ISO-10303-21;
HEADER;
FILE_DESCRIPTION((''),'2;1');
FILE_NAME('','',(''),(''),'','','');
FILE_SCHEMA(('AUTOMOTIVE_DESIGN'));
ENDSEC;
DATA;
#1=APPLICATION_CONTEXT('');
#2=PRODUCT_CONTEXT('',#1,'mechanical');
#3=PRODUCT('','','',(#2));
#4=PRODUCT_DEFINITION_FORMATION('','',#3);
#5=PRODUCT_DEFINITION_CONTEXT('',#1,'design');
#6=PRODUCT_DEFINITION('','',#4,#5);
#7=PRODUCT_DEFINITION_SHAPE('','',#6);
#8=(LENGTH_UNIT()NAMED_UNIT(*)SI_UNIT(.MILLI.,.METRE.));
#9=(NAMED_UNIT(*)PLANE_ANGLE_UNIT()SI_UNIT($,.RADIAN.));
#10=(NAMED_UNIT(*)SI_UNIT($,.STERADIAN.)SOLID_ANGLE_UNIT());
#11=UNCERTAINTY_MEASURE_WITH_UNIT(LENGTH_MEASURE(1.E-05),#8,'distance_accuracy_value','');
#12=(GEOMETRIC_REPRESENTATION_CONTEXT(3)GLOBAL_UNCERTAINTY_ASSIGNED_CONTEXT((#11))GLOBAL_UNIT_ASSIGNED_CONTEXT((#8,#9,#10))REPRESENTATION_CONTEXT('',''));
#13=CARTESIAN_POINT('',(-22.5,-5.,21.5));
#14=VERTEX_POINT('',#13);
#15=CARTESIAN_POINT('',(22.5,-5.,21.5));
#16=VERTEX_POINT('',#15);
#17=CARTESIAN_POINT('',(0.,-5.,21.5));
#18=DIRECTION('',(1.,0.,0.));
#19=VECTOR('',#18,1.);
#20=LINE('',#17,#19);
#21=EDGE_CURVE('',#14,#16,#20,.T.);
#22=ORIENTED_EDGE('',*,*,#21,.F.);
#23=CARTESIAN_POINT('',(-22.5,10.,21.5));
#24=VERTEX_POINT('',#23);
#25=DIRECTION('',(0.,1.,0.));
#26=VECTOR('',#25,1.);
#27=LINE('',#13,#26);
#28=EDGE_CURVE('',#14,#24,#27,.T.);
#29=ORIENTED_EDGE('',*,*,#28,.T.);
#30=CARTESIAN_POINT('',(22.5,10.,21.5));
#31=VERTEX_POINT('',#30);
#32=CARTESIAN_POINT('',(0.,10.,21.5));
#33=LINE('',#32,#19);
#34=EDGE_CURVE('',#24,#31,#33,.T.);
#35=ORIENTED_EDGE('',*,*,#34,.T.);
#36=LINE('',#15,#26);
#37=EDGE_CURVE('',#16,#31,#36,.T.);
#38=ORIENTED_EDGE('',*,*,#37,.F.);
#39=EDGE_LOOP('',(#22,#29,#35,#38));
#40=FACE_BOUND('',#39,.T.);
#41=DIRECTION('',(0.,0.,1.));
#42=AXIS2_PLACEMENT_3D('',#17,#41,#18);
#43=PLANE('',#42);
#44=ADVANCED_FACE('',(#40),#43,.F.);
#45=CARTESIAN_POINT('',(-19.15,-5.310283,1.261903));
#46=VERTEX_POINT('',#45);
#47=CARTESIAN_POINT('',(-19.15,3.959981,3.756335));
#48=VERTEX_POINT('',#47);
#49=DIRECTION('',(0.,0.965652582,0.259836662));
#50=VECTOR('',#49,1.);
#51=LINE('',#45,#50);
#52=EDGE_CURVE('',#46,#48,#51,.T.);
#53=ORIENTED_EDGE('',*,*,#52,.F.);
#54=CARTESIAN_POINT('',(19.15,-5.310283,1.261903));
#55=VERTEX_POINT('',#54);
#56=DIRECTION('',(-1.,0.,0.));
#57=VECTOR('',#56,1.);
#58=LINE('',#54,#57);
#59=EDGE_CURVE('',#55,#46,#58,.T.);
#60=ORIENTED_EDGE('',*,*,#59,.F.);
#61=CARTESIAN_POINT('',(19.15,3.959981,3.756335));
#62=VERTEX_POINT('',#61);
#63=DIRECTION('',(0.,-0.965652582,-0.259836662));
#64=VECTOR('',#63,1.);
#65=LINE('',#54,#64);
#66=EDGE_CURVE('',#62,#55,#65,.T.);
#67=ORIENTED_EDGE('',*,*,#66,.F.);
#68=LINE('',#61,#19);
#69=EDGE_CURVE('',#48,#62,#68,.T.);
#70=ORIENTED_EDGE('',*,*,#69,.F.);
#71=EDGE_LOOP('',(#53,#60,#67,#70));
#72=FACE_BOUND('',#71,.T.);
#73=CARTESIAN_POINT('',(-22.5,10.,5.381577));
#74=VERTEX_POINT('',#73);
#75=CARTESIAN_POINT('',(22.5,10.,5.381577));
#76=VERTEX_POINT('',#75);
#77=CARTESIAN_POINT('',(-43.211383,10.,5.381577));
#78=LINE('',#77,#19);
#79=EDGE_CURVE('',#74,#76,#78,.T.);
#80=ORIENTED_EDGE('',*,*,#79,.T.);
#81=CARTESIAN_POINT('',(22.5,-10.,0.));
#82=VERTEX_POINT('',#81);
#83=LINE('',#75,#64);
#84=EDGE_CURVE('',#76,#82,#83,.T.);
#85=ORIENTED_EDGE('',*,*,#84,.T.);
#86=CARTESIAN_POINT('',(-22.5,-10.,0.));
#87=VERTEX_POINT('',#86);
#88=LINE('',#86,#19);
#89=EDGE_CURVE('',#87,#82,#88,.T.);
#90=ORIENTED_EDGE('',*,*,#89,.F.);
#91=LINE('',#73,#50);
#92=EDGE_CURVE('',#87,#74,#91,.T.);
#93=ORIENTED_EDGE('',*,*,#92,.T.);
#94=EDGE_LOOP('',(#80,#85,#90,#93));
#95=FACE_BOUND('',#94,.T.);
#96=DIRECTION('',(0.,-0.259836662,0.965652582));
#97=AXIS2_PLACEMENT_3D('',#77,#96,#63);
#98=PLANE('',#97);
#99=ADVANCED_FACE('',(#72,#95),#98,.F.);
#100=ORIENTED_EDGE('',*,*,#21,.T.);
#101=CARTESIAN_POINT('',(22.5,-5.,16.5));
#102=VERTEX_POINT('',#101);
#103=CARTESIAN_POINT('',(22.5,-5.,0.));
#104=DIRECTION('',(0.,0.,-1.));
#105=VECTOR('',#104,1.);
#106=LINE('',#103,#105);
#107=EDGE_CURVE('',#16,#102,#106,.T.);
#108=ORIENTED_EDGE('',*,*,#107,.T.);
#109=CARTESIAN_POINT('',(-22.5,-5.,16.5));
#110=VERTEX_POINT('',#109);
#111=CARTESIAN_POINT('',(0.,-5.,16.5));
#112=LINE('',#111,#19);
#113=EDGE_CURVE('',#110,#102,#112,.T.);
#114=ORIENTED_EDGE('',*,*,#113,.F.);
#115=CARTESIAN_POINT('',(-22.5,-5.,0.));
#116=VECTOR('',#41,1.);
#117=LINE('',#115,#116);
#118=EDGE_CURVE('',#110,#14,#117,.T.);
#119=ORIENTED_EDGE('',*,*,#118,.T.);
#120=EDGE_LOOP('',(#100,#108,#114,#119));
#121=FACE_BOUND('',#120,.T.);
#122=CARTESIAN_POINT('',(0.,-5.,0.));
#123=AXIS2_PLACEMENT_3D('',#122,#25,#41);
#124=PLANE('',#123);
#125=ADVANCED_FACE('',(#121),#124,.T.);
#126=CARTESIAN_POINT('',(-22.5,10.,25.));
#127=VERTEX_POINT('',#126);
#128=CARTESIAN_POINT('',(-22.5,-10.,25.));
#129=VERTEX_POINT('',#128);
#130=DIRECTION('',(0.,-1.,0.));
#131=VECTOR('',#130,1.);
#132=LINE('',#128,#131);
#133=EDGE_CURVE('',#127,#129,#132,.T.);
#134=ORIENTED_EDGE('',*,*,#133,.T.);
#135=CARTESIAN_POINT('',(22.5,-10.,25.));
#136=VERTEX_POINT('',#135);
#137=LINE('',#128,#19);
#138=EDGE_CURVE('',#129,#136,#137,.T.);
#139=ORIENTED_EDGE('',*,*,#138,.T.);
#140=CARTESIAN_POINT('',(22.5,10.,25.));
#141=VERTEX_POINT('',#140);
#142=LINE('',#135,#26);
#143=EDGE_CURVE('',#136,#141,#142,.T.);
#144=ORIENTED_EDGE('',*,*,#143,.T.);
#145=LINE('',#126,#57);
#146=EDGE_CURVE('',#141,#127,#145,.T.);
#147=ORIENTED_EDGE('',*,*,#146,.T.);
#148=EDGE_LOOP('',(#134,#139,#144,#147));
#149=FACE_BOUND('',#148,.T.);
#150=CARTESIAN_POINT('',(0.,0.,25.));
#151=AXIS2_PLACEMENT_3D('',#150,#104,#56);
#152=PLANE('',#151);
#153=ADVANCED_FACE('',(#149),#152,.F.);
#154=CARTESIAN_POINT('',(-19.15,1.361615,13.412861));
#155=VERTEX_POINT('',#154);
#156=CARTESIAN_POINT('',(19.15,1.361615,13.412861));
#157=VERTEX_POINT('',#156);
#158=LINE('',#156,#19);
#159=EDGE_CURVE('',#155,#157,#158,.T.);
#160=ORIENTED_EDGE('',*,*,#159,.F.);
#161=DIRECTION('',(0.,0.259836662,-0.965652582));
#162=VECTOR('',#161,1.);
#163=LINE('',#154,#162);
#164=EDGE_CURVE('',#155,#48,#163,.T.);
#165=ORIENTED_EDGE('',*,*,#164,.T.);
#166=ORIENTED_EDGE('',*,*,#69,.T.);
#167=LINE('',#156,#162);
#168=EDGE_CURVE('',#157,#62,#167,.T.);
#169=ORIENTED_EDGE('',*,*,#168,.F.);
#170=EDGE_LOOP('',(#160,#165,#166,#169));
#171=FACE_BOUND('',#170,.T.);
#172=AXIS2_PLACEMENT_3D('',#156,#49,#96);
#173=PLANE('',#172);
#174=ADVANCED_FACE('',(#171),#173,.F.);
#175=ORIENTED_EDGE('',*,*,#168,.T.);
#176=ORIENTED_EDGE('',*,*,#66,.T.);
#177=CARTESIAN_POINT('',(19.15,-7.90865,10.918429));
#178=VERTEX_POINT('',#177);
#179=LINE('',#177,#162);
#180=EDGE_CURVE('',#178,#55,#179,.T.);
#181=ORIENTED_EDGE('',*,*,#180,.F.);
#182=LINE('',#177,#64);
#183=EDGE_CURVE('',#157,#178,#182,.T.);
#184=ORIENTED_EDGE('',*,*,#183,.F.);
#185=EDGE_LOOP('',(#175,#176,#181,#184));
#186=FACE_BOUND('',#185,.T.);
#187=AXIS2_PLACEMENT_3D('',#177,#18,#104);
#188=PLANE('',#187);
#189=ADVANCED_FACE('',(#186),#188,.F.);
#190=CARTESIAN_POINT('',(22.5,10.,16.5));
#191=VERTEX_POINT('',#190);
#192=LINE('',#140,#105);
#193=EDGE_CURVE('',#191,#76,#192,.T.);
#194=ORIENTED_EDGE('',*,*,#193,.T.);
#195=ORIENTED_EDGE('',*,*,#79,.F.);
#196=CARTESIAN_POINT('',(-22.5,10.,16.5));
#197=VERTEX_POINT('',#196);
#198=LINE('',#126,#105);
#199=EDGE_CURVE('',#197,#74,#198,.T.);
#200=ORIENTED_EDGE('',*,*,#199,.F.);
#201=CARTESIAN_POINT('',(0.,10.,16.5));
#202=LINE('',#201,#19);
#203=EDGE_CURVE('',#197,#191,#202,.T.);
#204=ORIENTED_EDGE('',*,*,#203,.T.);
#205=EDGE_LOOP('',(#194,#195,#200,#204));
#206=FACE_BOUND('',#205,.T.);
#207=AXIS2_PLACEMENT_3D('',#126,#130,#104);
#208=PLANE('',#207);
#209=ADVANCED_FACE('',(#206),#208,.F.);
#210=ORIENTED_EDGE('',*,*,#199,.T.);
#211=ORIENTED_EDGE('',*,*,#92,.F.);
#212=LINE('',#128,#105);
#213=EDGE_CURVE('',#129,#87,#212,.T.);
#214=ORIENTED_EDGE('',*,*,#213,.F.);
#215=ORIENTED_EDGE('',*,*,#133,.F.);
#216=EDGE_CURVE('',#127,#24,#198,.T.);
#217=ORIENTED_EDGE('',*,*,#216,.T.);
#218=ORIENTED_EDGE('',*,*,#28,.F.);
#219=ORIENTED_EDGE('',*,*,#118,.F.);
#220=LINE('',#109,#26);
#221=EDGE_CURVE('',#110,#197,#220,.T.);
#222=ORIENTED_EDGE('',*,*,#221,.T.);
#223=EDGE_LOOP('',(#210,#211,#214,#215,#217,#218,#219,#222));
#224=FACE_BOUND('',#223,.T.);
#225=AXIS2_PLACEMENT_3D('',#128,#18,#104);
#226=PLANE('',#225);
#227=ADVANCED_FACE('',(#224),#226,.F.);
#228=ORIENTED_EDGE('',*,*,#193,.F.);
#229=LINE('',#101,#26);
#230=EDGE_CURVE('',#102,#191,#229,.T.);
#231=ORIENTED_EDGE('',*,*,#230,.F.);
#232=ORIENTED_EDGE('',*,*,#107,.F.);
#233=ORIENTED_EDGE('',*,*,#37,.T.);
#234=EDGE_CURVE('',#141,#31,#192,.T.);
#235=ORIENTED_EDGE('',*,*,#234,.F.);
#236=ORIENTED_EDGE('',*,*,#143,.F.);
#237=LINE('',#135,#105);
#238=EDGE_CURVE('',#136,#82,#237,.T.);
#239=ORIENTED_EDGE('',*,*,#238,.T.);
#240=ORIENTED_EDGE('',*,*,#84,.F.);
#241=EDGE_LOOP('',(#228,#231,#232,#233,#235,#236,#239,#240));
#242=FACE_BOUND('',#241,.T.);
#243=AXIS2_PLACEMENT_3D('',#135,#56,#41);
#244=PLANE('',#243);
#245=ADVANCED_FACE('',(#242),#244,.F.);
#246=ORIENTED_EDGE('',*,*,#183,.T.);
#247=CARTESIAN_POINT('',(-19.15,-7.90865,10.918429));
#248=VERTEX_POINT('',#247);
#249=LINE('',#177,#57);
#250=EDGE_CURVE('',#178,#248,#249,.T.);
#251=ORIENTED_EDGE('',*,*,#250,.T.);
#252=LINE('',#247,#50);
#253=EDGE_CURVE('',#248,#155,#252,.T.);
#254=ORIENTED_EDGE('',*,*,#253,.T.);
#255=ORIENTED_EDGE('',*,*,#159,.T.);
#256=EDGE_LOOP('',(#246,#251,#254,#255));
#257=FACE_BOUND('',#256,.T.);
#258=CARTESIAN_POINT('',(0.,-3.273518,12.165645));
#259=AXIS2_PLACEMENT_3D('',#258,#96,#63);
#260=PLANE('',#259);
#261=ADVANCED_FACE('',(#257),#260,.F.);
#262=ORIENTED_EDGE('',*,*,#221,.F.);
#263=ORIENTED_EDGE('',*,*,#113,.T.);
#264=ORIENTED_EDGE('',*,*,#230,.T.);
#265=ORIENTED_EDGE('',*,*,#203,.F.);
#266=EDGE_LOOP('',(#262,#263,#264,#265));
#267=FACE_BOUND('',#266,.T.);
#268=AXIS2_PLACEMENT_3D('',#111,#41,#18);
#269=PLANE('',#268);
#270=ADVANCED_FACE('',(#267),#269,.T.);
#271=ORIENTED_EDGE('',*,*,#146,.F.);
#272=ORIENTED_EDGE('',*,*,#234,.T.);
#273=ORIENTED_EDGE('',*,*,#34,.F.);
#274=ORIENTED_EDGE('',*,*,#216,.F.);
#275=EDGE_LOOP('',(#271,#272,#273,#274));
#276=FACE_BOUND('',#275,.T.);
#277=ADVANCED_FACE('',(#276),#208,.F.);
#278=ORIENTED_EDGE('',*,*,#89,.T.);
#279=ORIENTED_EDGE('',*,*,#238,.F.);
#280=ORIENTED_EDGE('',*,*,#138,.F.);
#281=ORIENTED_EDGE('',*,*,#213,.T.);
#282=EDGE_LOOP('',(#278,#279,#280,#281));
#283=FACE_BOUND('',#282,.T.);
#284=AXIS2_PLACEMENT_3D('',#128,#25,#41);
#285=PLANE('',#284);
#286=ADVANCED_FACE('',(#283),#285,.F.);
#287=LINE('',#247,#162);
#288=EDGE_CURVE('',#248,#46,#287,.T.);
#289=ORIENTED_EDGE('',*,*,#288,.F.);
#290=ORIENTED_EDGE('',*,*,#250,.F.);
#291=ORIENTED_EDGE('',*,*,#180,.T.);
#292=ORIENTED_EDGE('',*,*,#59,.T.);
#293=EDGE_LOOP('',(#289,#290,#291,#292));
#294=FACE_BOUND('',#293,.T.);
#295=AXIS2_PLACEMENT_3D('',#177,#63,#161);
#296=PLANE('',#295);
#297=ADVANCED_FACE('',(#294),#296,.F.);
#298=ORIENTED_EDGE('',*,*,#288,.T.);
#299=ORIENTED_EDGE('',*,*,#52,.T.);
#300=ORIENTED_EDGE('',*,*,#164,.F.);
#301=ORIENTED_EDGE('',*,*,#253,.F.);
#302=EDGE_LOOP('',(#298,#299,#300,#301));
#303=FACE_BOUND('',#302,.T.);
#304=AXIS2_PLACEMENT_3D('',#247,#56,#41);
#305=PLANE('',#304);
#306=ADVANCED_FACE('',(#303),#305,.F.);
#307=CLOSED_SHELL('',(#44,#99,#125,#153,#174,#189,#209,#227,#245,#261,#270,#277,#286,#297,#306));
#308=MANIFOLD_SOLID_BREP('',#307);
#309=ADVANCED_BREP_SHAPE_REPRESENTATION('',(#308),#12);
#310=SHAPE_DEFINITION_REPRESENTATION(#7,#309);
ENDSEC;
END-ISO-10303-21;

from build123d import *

# Parameters (mm, degrees)
SKETCH2_W           = 45
SKETCH2_H           = 20
BOSS_EXTRUDE1_DEPTH = 25
SKETCH5_W           = 45
SKETCH5_H           = 5
CUT_EXTRUDE1_DEPTH  = 15
CUT_EXTRUDE2_DEPTH  = 45
SKETCH8_W           = 38.3
SKETCH8_H           = 9.6
CUT_EXTRUDE3_DEPTH  = 10


with BuildPart() as part:
    # Sketch2 → Boss-Extrude1 (new body)
    with BuildSketch(Plane.XY):
        Rectangle(SKETCH2_W, SKETCH2_H)
    extrude(amount=BOSS_EXTRUDE1_DEPTH)

    # Sketch5 → Cut-Extrude1 (cut)
    with BuildSketch(Plane(origin=(0, 10, 0), x_dir=(1, 0, 0), z_dir=(0, 1, 0))):
        with Locations((0, -19)):
            Rectangle(SKETCH5_W, SKETCH5_H)
    extrude(amount=-CUT_EXTRUDE1_DEPTH, mode=Mode.SUBTRACT)

    # Sketch7 → Cut-Extrude2 (cut)
    with BuildSketch(Plane(origin=(22.5, 0, 0), x_dir=(0, 0, -1), z_dir=(1, 0, 0))):
        Polygon((0, -10), (0, 10), (-5.381576505, 10), align=None)
    extrude(amount=-CUT_EXTRUDE2_DEPTH, mode=Mode.SUBTRACT)

    # Sketch8 → Cut-Extrude3 (cut)
    with BuildSketch(Plane(origin=(0, -0.675150911, 2.509119438), x_dir=(-1, 0, 0), z_dir=(0, 0.25983666232132585, -0.9656525818914965))):
        Rectangle(SKETCH8_W, SKETCH8_H)
    extrude(amount=-CUT_EXTRUDE3_DEPTH, mode=Mode.SUBTRACT)


solid = part.part
